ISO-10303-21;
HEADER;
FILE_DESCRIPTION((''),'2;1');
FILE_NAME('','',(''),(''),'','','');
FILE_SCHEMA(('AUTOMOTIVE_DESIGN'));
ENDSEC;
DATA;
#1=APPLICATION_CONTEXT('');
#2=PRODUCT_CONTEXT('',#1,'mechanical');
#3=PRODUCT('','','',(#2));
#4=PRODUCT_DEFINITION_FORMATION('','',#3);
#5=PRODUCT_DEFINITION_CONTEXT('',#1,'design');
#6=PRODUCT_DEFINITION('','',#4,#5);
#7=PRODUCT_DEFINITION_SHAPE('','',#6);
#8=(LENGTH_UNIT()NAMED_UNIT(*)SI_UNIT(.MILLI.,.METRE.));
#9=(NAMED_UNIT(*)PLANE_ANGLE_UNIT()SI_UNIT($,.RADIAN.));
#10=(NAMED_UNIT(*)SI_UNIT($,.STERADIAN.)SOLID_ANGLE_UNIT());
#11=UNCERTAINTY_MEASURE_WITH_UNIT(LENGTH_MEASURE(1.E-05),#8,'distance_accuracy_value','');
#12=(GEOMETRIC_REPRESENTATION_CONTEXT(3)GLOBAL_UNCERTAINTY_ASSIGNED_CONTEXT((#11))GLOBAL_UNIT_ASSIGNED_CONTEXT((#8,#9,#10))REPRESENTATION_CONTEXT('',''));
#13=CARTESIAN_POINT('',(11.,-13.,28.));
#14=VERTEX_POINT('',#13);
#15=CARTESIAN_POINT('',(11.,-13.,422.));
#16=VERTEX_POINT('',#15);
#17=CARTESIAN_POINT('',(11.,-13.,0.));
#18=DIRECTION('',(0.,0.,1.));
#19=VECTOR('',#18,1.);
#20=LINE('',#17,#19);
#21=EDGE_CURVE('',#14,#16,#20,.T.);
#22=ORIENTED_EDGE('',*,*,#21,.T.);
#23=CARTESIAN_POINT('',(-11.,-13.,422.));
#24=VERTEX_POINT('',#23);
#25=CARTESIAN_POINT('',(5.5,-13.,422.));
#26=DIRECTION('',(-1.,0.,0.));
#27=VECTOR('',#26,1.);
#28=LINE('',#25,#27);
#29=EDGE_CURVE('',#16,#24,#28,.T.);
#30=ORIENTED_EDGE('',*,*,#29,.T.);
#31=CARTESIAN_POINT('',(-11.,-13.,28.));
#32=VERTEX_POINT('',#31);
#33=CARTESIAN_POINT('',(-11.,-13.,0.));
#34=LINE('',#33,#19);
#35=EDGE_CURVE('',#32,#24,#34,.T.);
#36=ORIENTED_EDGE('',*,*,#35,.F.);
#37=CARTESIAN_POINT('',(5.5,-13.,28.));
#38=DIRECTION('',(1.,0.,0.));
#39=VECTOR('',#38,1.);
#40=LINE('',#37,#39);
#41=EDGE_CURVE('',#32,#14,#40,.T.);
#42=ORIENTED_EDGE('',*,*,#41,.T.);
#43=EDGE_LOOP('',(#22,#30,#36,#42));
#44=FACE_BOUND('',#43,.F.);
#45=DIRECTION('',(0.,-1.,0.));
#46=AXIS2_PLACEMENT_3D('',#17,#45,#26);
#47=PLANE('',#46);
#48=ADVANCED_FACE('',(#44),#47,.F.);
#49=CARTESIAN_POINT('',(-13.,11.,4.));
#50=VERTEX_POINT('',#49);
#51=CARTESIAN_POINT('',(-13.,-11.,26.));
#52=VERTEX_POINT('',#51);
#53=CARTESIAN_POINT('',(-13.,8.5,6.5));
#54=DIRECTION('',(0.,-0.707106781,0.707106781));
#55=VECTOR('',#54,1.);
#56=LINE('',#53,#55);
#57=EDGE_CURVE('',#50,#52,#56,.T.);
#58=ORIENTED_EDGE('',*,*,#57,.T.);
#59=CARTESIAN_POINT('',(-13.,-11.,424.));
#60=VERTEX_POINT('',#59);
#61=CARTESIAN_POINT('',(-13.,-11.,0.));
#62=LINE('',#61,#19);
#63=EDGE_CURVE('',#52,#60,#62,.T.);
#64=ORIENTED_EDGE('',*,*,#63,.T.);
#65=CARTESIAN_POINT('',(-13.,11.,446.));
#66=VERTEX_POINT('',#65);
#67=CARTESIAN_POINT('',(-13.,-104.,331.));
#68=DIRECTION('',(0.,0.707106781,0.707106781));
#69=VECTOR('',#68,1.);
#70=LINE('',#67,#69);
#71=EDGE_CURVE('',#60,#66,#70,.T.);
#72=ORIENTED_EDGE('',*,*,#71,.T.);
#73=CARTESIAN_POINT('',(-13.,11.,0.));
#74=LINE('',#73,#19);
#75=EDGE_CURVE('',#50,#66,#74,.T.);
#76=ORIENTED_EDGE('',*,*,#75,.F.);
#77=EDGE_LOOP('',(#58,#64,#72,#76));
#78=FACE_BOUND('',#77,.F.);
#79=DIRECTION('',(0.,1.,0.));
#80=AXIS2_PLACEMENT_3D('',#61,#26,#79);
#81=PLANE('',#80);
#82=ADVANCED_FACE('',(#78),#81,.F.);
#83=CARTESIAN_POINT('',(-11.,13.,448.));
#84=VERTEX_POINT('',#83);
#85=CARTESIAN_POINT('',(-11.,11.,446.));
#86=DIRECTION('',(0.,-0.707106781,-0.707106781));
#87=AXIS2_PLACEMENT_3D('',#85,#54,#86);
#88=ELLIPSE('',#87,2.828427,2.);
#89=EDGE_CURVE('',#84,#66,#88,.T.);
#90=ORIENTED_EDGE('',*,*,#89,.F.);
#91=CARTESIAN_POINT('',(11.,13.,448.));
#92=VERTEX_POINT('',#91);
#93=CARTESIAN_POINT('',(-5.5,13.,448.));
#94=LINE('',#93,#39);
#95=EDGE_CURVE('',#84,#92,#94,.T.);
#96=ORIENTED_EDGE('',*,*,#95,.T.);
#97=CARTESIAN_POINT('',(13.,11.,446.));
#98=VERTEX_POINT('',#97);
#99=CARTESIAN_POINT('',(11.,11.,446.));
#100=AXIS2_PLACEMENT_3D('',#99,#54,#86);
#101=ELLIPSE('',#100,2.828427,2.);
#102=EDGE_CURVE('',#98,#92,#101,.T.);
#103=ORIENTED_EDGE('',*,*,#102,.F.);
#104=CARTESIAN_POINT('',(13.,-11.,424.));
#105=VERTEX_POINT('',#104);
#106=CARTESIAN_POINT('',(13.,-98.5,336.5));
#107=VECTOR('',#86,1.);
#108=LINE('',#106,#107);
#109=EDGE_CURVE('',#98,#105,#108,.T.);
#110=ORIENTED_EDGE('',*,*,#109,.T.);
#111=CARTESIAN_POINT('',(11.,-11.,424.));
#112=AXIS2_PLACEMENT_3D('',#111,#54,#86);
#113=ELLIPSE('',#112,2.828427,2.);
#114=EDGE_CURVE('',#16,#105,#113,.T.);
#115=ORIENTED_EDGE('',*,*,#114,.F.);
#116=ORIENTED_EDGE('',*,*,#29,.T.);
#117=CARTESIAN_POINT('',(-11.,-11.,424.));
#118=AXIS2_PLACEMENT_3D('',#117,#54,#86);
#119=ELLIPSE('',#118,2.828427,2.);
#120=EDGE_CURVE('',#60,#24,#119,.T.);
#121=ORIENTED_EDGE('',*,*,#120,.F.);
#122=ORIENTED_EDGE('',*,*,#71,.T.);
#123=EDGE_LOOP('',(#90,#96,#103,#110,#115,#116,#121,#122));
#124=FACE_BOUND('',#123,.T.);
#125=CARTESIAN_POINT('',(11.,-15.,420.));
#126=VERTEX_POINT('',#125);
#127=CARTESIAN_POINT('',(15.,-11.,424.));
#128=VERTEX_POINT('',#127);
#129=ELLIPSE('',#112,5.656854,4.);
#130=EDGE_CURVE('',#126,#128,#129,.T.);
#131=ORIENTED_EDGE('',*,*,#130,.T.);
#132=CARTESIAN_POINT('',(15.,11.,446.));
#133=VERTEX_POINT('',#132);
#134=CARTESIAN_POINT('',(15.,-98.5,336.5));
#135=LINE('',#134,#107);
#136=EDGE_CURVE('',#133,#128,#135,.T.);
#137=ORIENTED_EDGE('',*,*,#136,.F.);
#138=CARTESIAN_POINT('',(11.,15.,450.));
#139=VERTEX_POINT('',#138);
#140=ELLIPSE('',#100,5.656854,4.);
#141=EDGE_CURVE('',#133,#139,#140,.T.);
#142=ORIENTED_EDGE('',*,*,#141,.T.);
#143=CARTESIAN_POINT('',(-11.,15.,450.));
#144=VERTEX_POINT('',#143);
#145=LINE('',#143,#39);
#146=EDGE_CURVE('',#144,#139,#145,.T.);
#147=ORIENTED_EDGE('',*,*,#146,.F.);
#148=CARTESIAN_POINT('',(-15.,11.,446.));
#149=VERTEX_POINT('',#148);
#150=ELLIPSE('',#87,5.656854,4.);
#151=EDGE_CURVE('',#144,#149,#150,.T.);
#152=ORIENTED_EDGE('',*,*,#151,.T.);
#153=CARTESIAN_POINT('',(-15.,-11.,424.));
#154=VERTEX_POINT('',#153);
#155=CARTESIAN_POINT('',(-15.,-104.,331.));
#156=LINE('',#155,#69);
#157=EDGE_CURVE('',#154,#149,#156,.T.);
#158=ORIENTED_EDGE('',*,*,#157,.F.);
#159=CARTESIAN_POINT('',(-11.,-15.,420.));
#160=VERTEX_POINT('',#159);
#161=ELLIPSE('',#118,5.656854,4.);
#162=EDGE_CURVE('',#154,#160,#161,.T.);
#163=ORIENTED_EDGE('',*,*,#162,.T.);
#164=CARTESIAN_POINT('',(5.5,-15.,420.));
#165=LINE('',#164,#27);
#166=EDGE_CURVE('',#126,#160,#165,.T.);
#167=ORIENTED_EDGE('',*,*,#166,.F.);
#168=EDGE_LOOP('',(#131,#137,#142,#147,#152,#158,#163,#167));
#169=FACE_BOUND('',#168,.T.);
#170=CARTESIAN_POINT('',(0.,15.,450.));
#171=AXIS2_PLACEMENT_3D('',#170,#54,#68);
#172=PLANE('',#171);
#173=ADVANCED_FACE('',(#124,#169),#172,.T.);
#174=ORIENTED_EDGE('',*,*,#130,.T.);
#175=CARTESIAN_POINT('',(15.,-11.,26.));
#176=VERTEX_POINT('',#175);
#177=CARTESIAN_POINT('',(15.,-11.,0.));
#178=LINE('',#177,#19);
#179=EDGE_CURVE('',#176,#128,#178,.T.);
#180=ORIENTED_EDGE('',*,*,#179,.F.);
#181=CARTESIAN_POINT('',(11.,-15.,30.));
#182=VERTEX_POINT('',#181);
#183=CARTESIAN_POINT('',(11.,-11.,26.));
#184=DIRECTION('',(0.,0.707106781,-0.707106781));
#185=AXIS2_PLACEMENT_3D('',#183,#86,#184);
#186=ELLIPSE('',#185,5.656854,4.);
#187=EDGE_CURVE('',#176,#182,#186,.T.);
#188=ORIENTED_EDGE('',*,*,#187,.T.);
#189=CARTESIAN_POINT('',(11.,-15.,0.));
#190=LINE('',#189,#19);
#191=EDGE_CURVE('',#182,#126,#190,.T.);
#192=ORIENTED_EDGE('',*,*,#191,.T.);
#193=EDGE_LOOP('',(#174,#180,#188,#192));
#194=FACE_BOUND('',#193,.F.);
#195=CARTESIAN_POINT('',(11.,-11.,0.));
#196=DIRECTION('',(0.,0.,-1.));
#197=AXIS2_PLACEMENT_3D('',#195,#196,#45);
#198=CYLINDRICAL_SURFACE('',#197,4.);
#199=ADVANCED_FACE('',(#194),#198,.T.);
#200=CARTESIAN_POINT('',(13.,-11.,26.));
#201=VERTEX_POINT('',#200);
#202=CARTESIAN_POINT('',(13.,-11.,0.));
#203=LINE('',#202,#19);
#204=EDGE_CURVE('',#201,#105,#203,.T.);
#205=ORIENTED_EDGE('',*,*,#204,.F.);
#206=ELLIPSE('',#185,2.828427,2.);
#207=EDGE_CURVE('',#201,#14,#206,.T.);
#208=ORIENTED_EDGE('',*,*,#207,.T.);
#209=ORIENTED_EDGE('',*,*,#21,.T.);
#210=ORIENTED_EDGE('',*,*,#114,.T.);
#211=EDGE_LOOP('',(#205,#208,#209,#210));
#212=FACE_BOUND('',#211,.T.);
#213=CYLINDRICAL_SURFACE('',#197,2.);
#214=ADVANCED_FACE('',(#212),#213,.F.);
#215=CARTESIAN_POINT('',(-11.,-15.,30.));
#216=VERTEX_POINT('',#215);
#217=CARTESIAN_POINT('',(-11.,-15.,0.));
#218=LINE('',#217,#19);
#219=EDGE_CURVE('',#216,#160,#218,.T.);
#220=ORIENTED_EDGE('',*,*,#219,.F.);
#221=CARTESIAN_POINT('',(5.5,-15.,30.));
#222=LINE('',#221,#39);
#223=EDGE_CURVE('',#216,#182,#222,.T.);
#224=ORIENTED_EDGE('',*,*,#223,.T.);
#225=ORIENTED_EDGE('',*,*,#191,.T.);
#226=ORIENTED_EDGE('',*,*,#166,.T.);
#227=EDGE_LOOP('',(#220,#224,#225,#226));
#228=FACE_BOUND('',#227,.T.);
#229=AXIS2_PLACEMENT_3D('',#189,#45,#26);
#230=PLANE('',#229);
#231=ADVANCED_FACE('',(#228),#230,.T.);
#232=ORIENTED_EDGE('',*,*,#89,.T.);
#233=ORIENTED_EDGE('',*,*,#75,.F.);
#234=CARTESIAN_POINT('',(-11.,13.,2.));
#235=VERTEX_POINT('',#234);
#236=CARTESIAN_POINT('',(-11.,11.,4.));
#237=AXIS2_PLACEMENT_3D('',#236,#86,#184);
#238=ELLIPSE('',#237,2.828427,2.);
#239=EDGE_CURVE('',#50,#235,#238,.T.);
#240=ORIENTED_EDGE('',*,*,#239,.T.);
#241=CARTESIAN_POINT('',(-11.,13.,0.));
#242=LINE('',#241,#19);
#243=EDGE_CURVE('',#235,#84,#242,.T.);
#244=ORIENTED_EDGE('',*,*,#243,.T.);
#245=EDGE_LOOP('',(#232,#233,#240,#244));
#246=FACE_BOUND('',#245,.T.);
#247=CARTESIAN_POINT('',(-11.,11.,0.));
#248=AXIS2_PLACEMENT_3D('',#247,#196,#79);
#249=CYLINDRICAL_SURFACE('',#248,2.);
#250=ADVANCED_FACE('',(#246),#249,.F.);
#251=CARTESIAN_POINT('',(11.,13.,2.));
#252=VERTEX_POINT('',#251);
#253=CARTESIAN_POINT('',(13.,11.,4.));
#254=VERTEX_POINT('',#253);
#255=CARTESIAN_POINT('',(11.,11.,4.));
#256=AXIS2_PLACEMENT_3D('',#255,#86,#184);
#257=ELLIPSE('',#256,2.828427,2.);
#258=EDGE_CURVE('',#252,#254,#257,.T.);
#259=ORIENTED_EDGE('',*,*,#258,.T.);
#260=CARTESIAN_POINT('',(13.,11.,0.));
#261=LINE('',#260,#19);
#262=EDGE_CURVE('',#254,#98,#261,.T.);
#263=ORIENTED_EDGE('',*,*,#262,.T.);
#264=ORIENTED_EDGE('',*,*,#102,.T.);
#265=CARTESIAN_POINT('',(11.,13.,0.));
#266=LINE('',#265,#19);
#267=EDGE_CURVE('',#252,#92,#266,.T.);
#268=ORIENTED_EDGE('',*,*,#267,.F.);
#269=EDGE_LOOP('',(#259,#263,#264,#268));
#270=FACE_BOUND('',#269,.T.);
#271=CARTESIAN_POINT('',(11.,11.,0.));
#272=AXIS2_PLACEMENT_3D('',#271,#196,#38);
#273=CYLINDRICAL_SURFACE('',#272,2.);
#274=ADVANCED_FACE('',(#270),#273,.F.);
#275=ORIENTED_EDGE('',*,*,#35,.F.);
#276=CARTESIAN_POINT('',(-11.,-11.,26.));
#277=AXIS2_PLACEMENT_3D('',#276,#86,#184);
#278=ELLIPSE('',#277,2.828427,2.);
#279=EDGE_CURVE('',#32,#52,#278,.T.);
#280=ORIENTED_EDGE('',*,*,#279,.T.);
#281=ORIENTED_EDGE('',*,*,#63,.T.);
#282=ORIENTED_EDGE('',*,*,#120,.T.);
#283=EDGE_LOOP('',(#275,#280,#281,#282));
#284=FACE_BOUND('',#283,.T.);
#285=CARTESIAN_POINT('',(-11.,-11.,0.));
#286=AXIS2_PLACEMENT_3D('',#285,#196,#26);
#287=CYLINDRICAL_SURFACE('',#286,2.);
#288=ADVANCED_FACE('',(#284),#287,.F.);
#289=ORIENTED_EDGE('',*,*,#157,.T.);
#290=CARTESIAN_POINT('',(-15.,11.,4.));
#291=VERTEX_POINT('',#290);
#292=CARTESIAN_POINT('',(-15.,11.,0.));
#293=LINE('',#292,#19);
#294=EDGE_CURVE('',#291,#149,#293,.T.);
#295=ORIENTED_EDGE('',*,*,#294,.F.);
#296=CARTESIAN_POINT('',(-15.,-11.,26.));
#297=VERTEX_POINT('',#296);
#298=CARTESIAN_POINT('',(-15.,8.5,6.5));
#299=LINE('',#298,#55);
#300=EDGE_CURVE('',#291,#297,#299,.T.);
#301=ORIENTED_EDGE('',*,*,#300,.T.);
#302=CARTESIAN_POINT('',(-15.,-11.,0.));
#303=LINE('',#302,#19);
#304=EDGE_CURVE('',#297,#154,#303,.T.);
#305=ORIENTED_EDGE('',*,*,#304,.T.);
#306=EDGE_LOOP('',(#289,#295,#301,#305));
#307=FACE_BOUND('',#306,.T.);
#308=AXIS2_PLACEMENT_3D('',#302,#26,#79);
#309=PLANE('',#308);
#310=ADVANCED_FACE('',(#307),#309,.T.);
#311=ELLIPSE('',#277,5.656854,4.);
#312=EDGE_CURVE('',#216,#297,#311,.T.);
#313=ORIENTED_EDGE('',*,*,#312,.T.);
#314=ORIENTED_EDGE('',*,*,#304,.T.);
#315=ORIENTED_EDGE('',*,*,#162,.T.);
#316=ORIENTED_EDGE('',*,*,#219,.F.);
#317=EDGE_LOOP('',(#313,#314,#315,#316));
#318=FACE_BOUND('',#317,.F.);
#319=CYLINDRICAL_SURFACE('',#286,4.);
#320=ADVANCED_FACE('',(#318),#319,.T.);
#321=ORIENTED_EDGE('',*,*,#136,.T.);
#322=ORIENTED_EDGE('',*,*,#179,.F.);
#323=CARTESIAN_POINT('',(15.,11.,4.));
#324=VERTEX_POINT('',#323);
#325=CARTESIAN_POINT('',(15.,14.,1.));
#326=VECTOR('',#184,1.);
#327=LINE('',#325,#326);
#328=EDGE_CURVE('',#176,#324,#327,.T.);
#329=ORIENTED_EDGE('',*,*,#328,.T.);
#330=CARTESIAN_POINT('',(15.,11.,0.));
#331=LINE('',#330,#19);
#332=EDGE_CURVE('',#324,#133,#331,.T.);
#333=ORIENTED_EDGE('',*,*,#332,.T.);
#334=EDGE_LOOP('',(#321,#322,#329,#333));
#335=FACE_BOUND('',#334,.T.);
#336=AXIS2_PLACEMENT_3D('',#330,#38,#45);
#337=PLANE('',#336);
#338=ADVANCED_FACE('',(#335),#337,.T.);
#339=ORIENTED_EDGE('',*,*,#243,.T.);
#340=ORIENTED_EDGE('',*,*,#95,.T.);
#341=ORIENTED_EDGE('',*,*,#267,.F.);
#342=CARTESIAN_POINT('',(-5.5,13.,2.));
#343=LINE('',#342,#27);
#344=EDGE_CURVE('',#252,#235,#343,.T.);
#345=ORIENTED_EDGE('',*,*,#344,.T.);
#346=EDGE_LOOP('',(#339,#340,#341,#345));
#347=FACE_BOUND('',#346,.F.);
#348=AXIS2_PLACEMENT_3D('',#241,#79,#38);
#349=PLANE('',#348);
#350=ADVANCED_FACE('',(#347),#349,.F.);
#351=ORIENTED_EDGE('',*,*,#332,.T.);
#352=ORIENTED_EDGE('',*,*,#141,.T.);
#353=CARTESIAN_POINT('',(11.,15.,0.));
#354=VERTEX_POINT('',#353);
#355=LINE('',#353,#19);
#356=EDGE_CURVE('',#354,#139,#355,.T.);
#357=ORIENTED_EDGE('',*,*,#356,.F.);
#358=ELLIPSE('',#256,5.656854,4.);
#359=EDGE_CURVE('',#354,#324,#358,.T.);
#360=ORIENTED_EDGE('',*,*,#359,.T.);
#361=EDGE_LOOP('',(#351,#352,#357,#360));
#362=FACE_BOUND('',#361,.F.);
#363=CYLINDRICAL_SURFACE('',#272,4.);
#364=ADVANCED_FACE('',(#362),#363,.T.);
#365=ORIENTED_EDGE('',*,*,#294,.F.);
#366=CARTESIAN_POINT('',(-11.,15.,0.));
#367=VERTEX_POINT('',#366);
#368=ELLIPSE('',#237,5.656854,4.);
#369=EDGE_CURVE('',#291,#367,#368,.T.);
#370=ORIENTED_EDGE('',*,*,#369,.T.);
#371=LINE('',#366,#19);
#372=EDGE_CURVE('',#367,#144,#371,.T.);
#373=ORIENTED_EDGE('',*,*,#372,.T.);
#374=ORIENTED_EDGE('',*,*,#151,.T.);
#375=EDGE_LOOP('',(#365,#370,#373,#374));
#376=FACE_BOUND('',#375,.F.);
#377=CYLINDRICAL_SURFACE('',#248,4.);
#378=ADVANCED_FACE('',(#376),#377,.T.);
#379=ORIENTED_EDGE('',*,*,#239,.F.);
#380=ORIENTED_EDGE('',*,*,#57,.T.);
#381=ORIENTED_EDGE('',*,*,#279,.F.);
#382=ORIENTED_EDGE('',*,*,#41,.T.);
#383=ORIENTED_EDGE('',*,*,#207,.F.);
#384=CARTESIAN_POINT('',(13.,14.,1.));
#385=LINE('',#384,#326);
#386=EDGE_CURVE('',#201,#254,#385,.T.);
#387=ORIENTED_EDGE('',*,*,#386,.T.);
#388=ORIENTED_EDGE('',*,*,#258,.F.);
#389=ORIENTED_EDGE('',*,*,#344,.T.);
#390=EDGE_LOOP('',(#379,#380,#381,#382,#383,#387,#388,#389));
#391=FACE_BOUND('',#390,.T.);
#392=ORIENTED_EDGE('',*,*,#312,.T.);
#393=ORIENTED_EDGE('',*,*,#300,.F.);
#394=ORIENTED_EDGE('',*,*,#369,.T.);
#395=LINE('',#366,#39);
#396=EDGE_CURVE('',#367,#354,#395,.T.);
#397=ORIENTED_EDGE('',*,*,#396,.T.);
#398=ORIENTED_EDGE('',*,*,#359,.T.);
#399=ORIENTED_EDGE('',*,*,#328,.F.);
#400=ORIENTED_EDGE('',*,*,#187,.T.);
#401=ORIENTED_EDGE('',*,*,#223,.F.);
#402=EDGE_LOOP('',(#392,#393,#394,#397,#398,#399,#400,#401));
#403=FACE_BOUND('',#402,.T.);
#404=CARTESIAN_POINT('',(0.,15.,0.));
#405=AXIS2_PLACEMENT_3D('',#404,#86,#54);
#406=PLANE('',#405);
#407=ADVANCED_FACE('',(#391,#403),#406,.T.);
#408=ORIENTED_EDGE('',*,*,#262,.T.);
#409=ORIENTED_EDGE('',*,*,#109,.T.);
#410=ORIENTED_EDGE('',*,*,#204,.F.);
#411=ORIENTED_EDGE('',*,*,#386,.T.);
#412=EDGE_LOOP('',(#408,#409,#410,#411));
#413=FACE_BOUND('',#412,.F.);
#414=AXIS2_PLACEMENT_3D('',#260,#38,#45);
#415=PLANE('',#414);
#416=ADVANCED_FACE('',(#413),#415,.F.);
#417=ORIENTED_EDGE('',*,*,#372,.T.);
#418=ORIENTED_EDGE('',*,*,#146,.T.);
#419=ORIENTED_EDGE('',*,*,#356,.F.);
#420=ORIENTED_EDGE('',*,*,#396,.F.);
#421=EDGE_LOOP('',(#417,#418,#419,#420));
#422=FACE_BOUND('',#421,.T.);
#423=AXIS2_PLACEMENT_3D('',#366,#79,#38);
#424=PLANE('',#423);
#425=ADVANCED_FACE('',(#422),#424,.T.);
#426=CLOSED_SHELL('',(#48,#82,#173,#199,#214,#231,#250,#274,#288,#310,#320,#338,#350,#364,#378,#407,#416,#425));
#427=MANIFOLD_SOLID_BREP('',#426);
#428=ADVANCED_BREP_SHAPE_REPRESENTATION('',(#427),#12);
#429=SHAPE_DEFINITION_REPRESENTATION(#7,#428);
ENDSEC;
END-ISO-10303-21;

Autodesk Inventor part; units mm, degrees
ref_plane "Plano inicial" through (0, 0, 0) normal (0, 0, 1) x (1, 0, 0)
ref_plane "Plano final" through (0, 0, 450) normal (0, 0, 1) x (1, 0, 0)
sketch "Esboço" plane through (0, 0, 0) normal (0, 0, 1) x (1, 0, 0)
  line L0 (-15, -11) -> (-15, 11)
  line L1 (-11, 15) -> (11, 15)
  line L2 (15, 11) -> (15, -11)
  line L3 (11, -15) -> (-11, -15)
  arc A0 (-15, -11) -> (-11, -15) centre (-11, -11) ccw
  arc A1 (15, 11) -> (11, 15) centre (11, 11) ccw
  arc A2 (-11, 15) -> (-15, 11) centre (-11, 11) ccw
  arc A3 (11, -15) -> (15, -11) centre (11, -11) ccw
  arc A4 (-11, 13) -> (-13, 11) centre (-11, 11) ccw
  line L4 (-11, 13) -> (11, 13)
  arc A5 (13, 11) -> (11, 13) centre (11, 11) ccw
  line L5 (13, 11) -> (13, -11)
  arc A6 (11, -13) -> (13, -11) centre (11, -11) ccw
  line L6 (11, -13) -> (-11, -13)
  arc A7 (-13, -11) -> (-11, -13) centre (-11, -11) ccw
  line L7 (-13, -11) -> (-13, 11)
  line L8 (0, 22.1598) -> (0, -22.1598) construction
  line L9 (-22.1598, 0) -> (22.1598, 0) construction
  dimension "d7" = 4
  dimension "d9" = 30
  dimension "d11" = 30
  dimension "d12" = 2
  dimension "d15" = 15
  dimension "d16" = 15
extrude "Corpo" add sketch "Esboço" along normal up to surface (450 mm away) from surface at 0
sketch "Sketch3" plane through (0, 0, 0) normal (0, 0, 1) x (1, 0, 0)
  line L0 (0, 0) -> (10, 0)
ref_plane "Work Plane3" through (0, 0, 0) normal (0, -1, 0) x (1, 0, 0)
sketch "Sketch4" plane through (0, 0, 0) normal (0, -1, 0) x (1, 0, 0)
  line L0 (-2, 0) -> (12, 0)
  line L1 (-2, 450) -> (12, 450)
  dimension "d18" = 450
ref_plane "Plano de trabalho6" through (155, 0, 450) normal (0, 0, 1) x (1, 0, 0)
split "Dividir3" plane through (155, 0, 450) removes the side toward (0, 0, 1)
ref_plane "Plano de trabalho7" through (0, 15, 0) normal (0, -0.7071, -0.7071) x (1, 0, 0)
split "Dividir4" plane through (0, 15, 0) removes the side toward (0, -0.7071, -0.7071)
ref_plane "Plano de trabalho8" through (0, 15, 450) normal (0, -0.7071, 0.7071) x (1, 0, 0)
split "Dividir5" plane through (0, 15, 450) removes the side toward (0, -0.7071, 0.7071)
equation "\"d7\" = G_IR"
equation "\"d9\" = G_W"
equation "\"d11\" = G_H"
equation "\"d12\" = G_T"
equation "\"d15\" = 0.5 * d9"
equation "\"d16\" = 0.5 * d11"
equation "\"d3\" = G_L"
equation "\"G_W\" = 30"
equation "\"G_H\" = 30"
equation "\"G_T\" = 2"
equation "\"G_IR\" = 4"
equation "\"G_L\" = d18"
equation "\"G_OFFSET_START\" = 0"
equation "\"G_OFFSET_END\" = 0"
properties part number "ISO 10799-2 - 30x30x2 - 450" material "Aço, suave"
